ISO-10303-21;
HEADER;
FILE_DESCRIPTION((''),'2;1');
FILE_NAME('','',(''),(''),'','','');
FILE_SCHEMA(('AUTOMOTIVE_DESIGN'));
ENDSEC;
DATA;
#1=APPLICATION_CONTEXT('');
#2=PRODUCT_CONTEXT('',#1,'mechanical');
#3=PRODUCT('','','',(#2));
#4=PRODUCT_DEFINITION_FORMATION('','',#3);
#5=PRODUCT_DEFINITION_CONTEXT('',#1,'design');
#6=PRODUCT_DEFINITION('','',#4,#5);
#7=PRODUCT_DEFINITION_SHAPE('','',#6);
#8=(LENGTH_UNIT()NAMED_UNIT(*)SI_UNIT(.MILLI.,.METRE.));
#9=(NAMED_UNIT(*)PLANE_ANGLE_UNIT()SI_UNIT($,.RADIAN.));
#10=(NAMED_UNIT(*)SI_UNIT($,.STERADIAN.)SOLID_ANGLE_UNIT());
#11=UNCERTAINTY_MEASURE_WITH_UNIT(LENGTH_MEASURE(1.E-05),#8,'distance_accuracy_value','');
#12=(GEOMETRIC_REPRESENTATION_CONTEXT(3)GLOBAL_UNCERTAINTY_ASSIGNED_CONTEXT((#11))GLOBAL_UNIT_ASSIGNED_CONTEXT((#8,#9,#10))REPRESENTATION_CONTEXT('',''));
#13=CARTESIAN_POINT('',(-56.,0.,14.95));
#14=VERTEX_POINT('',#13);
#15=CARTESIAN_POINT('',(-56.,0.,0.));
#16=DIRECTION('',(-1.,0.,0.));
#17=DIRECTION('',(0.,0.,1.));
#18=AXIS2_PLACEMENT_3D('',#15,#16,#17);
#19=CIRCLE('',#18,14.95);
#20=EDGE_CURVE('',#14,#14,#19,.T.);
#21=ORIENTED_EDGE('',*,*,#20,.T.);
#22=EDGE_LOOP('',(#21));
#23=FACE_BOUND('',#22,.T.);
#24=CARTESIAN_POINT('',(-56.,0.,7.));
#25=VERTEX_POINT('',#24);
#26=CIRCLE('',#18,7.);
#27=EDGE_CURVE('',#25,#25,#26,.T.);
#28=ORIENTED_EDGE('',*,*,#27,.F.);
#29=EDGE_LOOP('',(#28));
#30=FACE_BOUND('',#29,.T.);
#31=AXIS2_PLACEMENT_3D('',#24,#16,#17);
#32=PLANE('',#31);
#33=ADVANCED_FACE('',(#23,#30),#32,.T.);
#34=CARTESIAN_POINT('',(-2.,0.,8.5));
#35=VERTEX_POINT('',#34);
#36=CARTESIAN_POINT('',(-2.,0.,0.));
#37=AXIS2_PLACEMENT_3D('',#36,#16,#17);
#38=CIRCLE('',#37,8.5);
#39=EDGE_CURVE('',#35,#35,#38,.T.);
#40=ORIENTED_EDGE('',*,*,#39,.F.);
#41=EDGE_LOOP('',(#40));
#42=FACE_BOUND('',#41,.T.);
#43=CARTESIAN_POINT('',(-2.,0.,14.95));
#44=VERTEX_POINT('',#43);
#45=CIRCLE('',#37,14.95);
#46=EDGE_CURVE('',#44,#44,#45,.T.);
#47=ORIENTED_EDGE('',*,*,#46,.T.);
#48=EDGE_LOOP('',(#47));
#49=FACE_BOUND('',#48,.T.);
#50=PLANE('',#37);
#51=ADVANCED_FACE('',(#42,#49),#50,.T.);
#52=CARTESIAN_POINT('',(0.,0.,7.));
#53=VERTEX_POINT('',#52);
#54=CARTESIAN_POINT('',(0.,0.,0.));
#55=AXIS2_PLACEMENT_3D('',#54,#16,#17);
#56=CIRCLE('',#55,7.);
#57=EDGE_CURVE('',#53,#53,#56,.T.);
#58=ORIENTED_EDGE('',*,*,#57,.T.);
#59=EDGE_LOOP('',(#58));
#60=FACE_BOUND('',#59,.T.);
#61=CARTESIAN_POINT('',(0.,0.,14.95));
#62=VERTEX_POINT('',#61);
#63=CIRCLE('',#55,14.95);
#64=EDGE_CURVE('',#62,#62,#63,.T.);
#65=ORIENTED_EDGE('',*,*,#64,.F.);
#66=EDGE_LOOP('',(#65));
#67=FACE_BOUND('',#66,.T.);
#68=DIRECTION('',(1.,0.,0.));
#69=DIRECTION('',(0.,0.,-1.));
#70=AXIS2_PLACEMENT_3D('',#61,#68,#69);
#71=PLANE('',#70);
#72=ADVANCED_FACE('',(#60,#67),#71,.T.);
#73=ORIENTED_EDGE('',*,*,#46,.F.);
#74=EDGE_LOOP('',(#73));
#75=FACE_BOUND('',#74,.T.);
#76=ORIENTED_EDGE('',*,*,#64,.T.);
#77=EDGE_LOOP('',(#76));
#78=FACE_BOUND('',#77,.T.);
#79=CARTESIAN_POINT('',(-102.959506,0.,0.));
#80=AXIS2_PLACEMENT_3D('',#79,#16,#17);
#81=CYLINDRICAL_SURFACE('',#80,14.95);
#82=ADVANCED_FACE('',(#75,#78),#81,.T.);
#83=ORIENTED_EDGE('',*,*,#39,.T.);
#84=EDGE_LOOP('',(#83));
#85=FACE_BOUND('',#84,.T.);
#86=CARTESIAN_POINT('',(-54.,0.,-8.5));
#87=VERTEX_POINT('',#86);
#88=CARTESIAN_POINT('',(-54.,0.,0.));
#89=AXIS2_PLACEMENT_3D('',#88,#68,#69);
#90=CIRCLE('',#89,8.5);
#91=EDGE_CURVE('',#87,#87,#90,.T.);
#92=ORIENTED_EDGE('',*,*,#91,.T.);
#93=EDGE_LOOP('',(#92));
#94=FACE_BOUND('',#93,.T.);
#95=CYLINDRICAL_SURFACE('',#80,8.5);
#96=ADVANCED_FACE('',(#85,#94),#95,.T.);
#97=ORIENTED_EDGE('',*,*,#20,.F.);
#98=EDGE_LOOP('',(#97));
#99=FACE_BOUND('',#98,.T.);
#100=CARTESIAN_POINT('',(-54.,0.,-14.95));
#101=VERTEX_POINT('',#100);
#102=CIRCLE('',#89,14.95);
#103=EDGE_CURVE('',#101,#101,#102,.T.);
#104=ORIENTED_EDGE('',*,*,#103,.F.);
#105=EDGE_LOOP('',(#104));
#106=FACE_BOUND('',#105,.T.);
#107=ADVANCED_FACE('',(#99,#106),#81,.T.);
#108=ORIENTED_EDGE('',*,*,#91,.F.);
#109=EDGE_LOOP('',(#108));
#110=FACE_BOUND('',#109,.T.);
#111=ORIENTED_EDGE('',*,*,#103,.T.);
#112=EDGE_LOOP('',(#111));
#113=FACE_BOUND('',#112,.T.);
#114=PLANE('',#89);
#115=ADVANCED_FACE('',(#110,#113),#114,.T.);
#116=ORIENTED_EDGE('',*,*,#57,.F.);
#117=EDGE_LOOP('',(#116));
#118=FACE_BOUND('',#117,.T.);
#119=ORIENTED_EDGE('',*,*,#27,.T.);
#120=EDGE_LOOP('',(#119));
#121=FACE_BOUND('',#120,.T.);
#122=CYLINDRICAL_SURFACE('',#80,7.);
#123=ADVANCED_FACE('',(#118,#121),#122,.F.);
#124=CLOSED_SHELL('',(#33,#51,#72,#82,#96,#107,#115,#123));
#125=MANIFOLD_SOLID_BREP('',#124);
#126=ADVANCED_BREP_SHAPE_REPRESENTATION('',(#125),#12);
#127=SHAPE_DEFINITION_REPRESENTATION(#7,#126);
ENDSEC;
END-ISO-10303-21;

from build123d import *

# Parameters (mm, degrees)
ESBO_O2_R             = 14.95
ESBO_O2_R_2           = 8.5
CORTE_EXTRUS_O1_DEPTH = 1
ESBO_O3_R             = 14.95
ESBO_O3_R_2           = 8.5
CORTE_EXTRUS_O2_DEPTH = 1


with BuildPart() as part:
    # Esboço1 → Revolução1 (revolve)
    with BuildSketch(Plane(origin=(0, 0, 0), x_dir=(1, 0, 0), z_dir=(0, 1, 0))):
        Polygon((-56, -7), (-56, -14.95), (-53, -14.95), (-53, -8.5), (-3, -8.5), (-3, -14.95), (0, -14.95), (0, -7), align=None)
    revolve(axis=Axis((-102.959505757, 0, 0), (1, 0, 0)))

    # Esboço2 → Corte-extrusão1 (cut)
    with BuildSketch(Plane(origin=(-53, 0, 0), x_dir=(0, 0, -1), z_dir=(1, 0, 0))):
        Circle(ESBO_O2_R)
        Circle(ESBO_O2_R_2, mode=Mode.SUBTRACT)
    extrude(amount=-CORTE_EXTRUS_O1_DEPTH, mode=Mode.SUBTRACT)

    # Esboço3 → Corte-extrusão2 (cut)
    with BuildSketch(Plane.ZY.offset(3)):
        Circle(ESBO_O3_R)
        Circle(ESBO_O3_R_2, mode=Mode.SUBTRACT)
    extrude(amount=-CORTE_EXTRUS_O2_DEPTH, mode=Mode.SUBTRACT)


solid = part.part
